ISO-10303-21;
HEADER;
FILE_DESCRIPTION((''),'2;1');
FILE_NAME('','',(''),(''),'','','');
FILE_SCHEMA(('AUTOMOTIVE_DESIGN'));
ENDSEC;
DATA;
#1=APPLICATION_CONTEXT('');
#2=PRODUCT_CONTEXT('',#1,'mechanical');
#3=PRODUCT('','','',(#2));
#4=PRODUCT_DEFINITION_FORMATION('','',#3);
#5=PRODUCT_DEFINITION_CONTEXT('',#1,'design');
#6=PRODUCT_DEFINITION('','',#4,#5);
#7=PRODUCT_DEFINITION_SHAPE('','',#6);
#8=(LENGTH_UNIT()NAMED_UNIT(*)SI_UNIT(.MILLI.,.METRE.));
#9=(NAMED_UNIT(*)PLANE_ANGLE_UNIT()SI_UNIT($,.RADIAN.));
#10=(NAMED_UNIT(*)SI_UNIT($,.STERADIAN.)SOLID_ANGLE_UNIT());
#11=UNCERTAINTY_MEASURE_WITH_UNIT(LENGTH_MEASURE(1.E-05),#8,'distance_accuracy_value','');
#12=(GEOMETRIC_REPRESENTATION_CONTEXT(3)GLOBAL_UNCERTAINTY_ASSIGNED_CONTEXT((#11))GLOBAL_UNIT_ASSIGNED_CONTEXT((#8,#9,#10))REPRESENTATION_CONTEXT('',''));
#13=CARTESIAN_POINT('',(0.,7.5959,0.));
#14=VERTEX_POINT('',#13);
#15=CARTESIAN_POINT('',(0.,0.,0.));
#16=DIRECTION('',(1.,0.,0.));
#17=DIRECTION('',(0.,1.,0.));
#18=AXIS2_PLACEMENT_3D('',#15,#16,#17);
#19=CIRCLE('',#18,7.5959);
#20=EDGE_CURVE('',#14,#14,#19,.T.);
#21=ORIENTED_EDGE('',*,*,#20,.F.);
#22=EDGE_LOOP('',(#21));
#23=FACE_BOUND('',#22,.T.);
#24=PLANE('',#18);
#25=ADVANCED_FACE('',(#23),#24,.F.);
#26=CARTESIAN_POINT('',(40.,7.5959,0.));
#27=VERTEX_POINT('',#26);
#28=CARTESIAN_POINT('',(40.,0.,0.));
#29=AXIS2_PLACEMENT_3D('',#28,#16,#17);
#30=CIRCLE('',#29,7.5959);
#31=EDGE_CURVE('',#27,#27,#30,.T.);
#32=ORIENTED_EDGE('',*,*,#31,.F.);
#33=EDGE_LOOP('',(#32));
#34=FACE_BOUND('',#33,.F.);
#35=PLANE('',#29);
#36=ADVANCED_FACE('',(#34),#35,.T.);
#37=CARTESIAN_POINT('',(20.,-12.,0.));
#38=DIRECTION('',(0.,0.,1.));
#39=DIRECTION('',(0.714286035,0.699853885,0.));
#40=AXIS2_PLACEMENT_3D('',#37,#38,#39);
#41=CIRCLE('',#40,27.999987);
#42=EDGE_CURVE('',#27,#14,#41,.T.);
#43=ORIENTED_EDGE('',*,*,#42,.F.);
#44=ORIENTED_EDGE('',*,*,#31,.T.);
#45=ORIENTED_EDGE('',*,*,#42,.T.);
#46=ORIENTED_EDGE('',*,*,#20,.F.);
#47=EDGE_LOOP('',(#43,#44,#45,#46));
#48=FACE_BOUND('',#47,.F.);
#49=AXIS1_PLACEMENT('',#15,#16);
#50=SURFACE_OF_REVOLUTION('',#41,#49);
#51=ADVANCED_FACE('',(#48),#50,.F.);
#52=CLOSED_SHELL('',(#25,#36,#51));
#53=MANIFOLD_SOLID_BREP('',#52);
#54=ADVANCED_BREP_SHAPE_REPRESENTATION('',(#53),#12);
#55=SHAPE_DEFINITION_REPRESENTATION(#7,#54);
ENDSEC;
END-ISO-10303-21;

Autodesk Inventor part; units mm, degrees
ref_plane "YZ Plane" through (0, 0, 0) normal (1, 0, 0) x (0, 1, 0)
ref_plane "XZ Plane" through (0, 0, 0) normal (0, 1, 0) x (-1, 0, 0)
ref_plane "XY Plane" through (0, 0, 0) normal (0, 0, 1) x (1, 0, 0)
sketch "Эскиз1" plane through (0, 0, 0) normal (0, 0, 1) x (1, 0, 0)
  line L0 (0, 0) -> (40, 0)
  arc A0 (40, 7.5959) -> (0, 7.5959) centre (20, -12) ccw
  line L1 (0, 0) -> (0, 7.5959)
  line L2 (40, 0) -> (40, 7.5959)
  dimension "d0" = 40
  dimension "d5" = 28
revolve "Вращение1" add sketch "Эскиз1" angle 360 about axis through (0, 0, 0) along (1, 0, 0)
properties part number "N4"
